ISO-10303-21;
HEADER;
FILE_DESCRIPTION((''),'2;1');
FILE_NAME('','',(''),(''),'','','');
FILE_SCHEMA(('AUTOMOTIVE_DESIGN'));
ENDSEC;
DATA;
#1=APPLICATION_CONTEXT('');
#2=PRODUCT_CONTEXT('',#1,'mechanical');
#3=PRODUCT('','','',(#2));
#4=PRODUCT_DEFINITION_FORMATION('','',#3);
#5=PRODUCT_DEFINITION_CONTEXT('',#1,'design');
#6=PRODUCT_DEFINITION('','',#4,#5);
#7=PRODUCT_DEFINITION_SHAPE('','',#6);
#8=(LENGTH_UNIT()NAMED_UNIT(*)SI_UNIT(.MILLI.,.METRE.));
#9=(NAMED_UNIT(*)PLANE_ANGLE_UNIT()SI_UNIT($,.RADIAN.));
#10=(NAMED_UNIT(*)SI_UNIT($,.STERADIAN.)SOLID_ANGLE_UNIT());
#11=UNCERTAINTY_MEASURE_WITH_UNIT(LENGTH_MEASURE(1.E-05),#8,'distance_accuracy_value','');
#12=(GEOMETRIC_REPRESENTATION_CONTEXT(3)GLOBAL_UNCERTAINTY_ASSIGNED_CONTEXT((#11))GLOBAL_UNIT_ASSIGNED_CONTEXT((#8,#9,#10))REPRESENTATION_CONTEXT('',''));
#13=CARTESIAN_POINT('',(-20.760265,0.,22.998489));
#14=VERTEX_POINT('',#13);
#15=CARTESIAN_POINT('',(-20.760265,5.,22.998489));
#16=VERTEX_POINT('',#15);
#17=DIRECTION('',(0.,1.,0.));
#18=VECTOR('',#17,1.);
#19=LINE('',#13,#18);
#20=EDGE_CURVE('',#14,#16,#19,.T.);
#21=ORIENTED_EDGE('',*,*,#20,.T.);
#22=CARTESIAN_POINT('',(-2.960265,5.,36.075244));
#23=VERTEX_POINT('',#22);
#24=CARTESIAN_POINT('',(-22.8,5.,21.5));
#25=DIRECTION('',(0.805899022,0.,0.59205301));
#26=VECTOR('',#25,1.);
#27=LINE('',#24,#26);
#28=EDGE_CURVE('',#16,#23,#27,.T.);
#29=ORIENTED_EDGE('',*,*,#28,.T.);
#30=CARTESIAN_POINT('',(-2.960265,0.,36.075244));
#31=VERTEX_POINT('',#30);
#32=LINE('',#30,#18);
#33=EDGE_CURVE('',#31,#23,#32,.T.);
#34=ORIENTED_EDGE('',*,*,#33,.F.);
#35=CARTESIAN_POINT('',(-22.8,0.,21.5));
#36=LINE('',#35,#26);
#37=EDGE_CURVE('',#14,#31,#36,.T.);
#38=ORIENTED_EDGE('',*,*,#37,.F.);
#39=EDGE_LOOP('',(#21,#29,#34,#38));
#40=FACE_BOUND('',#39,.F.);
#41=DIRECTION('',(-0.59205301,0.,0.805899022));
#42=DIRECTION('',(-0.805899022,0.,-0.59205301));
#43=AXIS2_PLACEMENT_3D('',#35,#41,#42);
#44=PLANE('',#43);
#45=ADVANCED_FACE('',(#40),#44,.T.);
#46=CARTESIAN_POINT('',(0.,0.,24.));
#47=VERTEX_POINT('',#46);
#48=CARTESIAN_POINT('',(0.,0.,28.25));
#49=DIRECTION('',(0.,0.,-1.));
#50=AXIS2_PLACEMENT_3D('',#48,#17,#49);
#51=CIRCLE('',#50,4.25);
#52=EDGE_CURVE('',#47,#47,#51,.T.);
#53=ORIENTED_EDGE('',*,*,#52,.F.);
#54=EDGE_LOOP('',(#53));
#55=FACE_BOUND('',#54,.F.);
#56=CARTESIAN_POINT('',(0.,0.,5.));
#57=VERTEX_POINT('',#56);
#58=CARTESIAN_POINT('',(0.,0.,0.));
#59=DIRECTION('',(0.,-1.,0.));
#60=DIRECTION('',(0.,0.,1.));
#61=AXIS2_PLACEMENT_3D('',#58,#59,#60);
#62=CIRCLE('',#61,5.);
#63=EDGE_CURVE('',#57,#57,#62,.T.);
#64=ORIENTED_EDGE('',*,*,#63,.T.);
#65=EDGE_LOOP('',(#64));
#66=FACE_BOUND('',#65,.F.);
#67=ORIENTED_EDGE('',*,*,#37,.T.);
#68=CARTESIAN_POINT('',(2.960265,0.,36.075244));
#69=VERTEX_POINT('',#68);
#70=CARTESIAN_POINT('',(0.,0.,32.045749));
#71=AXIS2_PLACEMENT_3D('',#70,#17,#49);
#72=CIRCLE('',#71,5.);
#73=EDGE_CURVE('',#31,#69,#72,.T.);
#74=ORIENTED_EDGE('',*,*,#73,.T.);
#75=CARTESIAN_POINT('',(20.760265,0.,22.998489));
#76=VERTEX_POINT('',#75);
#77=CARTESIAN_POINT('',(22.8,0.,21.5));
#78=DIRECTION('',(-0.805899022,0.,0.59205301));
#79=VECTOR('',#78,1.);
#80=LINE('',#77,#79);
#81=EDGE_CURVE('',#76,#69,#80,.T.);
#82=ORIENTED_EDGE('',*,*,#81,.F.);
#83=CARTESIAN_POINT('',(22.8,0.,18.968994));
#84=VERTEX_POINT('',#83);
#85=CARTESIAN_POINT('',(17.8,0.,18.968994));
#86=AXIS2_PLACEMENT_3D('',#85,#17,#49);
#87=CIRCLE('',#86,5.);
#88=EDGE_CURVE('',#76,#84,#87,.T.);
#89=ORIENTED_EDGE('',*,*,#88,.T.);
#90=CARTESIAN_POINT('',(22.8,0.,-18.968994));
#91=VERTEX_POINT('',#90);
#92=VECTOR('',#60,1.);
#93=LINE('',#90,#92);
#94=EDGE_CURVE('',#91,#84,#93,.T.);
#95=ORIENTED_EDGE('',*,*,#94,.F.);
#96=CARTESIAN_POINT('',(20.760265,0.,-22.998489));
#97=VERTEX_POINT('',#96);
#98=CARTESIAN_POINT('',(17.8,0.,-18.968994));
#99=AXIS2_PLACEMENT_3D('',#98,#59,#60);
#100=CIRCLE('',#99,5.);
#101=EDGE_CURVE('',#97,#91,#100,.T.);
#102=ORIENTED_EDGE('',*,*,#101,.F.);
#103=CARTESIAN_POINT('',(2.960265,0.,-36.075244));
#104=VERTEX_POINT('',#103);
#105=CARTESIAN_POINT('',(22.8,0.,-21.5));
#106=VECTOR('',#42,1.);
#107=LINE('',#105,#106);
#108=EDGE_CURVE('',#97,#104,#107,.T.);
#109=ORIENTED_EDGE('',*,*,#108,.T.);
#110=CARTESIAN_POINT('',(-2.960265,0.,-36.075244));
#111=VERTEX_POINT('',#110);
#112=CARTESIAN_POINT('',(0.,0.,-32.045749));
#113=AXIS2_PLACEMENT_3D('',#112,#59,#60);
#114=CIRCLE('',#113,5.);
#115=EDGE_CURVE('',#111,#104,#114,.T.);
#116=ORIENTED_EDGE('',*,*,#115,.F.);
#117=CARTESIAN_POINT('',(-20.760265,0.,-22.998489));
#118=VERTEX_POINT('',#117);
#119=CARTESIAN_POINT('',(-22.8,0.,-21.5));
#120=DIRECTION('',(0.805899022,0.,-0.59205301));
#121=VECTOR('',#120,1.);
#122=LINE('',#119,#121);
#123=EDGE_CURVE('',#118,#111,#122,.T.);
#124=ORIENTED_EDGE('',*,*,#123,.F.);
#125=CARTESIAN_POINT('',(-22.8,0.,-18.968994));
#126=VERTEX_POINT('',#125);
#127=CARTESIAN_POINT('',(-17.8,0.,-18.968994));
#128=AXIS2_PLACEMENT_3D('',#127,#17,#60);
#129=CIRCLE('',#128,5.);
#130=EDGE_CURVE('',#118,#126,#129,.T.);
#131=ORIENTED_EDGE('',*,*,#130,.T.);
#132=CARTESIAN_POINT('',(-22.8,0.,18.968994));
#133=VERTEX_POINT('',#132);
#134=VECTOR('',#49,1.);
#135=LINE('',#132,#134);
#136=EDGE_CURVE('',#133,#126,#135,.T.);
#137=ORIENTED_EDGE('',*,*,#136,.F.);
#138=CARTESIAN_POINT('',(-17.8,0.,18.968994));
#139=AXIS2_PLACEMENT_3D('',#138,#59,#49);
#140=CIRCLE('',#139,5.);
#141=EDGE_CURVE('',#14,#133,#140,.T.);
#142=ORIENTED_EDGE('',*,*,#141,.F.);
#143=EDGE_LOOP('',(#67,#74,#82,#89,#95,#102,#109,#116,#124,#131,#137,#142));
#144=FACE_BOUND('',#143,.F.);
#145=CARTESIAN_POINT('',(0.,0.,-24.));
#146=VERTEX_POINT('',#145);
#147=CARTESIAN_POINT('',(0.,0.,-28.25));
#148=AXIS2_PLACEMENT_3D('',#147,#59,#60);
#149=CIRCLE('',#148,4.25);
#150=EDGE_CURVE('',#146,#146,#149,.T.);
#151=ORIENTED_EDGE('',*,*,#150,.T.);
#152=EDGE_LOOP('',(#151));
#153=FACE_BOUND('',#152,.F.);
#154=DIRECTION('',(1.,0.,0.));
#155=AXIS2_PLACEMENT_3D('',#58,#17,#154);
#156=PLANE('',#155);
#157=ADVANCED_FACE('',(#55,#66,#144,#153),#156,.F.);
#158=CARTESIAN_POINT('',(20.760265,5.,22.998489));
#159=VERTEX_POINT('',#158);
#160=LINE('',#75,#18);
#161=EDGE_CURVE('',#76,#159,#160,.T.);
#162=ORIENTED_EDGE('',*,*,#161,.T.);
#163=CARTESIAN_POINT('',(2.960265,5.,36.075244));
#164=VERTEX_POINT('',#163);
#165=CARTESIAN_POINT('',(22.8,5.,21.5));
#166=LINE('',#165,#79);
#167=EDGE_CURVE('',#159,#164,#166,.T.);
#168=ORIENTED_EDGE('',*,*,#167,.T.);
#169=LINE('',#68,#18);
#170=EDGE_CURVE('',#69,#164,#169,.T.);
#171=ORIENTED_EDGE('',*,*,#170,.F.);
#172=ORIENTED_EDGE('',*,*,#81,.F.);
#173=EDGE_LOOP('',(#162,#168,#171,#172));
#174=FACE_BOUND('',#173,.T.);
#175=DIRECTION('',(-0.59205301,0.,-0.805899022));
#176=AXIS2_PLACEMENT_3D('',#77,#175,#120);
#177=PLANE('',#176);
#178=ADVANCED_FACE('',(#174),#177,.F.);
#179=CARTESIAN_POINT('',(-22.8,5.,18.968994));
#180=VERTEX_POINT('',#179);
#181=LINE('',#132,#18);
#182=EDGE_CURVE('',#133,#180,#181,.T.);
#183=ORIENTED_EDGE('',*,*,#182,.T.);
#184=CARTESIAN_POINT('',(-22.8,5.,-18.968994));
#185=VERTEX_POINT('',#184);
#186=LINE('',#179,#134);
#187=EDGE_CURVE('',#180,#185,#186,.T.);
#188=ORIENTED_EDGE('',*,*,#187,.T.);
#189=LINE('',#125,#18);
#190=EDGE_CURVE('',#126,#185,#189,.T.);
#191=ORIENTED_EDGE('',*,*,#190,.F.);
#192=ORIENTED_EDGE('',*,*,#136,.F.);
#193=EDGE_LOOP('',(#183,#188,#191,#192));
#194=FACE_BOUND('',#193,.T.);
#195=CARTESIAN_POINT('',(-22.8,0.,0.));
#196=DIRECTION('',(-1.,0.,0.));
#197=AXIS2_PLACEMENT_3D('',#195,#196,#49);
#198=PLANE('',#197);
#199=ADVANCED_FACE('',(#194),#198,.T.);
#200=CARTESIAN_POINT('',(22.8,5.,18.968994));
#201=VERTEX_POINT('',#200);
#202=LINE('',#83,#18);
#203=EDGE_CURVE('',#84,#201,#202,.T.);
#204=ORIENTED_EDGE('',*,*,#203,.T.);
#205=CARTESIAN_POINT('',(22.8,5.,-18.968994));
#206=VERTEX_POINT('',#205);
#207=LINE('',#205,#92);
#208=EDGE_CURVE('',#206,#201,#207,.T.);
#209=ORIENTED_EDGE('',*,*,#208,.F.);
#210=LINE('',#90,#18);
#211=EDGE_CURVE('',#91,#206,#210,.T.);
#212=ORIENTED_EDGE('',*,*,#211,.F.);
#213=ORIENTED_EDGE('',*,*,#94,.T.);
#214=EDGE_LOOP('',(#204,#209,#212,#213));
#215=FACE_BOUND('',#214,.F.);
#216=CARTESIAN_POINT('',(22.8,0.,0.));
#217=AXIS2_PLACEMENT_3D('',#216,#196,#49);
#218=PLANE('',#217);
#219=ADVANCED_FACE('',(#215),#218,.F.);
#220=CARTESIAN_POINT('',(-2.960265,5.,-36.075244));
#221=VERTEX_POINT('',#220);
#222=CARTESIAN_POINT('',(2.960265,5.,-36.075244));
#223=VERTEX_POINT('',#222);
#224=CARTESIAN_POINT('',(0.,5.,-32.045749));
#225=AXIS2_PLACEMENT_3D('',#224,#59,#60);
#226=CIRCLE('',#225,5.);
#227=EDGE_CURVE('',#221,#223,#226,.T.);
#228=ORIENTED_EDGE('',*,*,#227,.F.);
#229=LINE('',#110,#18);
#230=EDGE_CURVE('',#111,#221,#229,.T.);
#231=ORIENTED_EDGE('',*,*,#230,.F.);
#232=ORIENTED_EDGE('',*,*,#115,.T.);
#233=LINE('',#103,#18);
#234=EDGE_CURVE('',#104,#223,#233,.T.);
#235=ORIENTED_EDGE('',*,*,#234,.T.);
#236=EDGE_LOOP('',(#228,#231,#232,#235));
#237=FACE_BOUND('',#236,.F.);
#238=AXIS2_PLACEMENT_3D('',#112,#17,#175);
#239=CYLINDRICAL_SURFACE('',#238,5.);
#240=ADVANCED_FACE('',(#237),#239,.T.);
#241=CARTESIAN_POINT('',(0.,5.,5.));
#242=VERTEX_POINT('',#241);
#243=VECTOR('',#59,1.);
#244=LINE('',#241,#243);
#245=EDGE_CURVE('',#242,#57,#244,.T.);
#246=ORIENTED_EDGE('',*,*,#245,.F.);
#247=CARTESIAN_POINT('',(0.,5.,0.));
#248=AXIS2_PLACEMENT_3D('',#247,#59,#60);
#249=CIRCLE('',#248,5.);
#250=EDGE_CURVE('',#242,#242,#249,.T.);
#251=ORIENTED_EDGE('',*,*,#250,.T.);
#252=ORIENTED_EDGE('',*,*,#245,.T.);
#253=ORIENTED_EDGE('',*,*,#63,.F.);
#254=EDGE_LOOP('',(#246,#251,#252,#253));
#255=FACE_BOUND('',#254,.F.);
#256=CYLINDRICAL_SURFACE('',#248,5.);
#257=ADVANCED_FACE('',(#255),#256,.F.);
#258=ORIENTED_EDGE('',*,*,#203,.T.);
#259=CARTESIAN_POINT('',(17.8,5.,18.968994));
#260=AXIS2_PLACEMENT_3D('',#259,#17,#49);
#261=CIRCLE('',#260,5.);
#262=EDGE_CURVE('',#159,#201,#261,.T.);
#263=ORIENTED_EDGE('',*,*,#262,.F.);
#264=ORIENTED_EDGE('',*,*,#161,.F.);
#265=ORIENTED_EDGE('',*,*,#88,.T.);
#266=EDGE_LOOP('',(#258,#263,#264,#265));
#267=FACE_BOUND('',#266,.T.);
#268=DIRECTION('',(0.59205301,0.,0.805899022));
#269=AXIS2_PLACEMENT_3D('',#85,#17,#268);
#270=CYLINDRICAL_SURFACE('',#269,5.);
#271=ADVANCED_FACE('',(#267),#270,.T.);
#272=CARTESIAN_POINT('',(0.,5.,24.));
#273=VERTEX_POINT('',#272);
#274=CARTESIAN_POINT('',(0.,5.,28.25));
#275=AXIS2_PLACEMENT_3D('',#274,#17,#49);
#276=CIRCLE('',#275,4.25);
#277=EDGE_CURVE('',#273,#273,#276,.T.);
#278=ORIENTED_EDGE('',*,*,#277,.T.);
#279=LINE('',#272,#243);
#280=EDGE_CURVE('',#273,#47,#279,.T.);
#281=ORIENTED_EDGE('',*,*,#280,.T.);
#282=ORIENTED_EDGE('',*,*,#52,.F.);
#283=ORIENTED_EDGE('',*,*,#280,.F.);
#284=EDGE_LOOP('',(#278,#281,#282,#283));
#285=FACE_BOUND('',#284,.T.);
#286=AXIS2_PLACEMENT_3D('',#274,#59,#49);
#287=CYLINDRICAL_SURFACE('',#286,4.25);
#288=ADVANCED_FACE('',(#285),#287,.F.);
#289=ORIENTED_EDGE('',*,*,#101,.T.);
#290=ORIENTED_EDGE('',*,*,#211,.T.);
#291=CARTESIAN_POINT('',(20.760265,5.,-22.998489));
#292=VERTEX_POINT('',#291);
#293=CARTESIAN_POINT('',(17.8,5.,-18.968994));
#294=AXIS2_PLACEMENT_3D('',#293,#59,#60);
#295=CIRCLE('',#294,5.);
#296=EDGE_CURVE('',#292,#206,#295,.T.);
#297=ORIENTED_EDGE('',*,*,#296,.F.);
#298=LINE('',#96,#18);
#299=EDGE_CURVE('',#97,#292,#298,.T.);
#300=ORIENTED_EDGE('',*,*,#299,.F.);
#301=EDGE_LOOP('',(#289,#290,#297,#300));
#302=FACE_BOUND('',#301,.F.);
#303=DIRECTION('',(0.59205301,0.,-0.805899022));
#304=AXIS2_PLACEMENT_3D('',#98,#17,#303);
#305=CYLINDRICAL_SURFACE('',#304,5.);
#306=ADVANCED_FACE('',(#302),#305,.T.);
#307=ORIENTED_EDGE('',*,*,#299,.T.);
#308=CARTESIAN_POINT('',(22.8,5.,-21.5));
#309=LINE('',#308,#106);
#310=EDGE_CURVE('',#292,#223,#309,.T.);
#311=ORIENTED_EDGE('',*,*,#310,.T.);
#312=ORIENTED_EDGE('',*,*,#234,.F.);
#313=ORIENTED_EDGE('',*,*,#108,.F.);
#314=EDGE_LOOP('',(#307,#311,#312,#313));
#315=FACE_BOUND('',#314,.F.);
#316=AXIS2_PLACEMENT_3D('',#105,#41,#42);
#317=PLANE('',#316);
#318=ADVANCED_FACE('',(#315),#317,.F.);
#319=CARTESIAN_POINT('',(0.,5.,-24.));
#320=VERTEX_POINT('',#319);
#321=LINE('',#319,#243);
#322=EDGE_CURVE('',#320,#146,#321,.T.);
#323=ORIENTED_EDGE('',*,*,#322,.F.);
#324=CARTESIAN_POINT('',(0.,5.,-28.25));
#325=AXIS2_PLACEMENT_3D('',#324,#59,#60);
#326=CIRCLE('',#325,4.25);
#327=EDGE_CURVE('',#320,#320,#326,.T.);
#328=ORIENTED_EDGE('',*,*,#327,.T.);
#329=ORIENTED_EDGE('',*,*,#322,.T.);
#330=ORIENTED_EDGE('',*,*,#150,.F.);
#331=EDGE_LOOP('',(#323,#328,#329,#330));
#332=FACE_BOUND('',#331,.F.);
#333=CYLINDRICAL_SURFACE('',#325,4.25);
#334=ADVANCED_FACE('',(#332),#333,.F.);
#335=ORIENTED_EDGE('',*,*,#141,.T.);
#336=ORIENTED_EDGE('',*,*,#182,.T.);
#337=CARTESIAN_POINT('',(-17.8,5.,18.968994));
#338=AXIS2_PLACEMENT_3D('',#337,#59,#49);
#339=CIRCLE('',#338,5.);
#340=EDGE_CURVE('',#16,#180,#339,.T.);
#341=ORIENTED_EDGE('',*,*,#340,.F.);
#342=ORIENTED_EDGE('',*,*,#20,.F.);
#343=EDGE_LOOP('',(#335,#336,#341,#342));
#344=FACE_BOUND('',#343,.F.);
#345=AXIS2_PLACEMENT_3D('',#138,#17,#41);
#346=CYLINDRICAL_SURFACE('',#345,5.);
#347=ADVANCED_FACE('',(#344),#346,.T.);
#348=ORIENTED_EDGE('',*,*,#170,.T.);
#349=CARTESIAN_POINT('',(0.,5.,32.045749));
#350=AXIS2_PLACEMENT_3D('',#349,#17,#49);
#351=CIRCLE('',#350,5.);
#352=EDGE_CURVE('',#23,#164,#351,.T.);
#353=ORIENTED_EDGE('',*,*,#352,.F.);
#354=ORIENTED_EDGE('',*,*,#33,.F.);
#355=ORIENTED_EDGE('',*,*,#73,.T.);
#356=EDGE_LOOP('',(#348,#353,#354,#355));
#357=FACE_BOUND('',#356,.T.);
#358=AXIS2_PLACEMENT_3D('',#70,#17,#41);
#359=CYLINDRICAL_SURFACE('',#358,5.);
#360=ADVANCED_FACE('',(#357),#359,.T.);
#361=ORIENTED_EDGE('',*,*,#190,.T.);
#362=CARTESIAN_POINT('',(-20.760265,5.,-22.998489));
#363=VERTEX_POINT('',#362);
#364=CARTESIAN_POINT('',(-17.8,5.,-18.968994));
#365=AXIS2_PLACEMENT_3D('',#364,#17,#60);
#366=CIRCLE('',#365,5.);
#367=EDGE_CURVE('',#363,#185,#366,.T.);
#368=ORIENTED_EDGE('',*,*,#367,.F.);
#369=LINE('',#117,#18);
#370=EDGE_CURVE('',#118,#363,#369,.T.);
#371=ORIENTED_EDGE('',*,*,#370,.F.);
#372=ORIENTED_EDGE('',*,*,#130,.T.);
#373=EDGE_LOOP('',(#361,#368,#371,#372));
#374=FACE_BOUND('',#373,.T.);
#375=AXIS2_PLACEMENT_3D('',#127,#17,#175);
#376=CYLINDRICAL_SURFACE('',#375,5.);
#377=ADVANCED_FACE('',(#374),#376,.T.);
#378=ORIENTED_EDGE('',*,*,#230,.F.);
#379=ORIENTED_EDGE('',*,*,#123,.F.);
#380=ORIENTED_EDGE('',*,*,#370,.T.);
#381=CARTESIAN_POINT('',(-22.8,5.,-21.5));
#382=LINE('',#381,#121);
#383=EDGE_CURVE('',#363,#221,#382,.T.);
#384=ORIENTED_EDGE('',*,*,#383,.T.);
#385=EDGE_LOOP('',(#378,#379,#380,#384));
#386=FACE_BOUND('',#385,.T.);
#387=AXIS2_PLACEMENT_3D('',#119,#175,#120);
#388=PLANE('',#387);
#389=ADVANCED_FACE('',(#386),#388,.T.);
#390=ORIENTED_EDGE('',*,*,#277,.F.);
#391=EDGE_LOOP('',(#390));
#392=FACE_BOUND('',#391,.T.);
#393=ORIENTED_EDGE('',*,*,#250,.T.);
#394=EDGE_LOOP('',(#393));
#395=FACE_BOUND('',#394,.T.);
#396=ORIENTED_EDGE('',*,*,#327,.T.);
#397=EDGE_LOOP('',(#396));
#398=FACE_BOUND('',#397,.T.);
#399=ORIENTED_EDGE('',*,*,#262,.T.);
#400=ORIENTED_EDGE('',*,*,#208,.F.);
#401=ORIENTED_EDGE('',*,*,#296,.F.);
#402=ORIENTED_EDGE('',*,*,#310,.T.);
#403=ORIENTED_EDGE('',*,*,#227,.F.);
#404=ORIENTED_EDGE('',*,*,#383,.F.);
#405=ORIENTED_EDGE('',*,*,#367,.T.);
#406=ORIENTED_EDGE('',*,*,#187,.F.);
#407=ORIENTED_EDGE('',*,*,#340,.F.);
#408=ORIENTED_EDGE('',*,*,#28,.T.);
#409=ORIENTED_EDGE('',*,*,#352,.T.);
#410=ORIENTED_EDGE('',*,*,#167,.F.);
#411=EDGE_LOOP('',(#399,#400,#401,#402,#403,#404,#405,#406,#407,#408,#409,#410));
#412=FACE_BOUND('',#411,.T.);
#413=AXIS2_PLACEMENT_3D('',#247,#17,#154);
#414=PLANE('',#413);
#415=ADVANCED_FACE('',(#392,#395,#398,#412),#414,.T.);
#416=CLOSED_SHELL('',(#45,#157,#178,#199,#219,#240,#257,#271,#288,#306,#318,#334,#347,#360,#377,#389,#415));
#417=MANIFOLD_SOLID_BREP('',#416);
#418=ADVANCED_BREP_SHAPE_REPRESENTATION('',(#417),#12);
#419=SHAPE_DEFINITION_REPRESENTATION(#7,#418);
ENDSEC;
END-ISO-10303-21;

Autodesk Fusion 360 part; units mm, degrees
sketch "Plate" plane through (0, 0, 0) normal (0, 1, 0) x (1, 0, 0) in component "Plate"
  line L0 (0, 0) -> (-22.8, 0)
  line L1 (-22.8, 0) -> (-22.8, 21.5)
  line L2 (-22.8, 21.5) -> (0, 38.25)
  line L3 (0, -20) -> (0, -2.5)
  line L4 (2.5, 0) -> (20, 0)
  line L5 (22.8, 21.5) -> (0, 38.25)
  line L6 (22.8, 0) -> (22.8, 21.5)
  line L7 (0, 0) -> (22.8, 0)
  point P0 (0, 38.25)
  dimension "d2" = 22.8
  dimension "d41" = 21.5
  dimension "d42" = 38.25
  dimension "d83" = 0
  dimension "d84" = 0
  dimension "d85" = 0
  dimension "d86" = 0
extrude "Extrude1" add sketch "Plate" along normal blind 5 makes body 1 in component "Plate"
fillet "Fillet3" radius 5 1 edges at (0, 2.5, -38.25) on bodies 1 in component "Plate"
fillet "Fillet4" radius 5 1 edges at (-22.8, 2.5, -21.5) on bodies 1 in component "Plate"
fillet "Fillet5" radius 5 1 edges at (22.8, 2.5, -21.5) on bodies 1 in component "Plate"
hole "Hole1" at (0, 5, -28.25) direction (0, -1, 0) diameter 8.5 end through all bodies 1 1 in component "Plate"
mirror "Mirror1" about plane through (0, 0, 0) normal (0, 0, 1) of bodies 1 makes body 2 in component "Plate"
combine "Combine1" operation add target body 1 tool bodies 2 in component "Plate"
hole "Hole1'" at (0, 5, 0) direction (0, -1, 0) diameter 10 end through all bodies 1 1 in component "Plate"
component "Plate" placed x (1, 0, 0) y (0, 1, 0) z (0, 0, 1) at (0, 0, 0)
